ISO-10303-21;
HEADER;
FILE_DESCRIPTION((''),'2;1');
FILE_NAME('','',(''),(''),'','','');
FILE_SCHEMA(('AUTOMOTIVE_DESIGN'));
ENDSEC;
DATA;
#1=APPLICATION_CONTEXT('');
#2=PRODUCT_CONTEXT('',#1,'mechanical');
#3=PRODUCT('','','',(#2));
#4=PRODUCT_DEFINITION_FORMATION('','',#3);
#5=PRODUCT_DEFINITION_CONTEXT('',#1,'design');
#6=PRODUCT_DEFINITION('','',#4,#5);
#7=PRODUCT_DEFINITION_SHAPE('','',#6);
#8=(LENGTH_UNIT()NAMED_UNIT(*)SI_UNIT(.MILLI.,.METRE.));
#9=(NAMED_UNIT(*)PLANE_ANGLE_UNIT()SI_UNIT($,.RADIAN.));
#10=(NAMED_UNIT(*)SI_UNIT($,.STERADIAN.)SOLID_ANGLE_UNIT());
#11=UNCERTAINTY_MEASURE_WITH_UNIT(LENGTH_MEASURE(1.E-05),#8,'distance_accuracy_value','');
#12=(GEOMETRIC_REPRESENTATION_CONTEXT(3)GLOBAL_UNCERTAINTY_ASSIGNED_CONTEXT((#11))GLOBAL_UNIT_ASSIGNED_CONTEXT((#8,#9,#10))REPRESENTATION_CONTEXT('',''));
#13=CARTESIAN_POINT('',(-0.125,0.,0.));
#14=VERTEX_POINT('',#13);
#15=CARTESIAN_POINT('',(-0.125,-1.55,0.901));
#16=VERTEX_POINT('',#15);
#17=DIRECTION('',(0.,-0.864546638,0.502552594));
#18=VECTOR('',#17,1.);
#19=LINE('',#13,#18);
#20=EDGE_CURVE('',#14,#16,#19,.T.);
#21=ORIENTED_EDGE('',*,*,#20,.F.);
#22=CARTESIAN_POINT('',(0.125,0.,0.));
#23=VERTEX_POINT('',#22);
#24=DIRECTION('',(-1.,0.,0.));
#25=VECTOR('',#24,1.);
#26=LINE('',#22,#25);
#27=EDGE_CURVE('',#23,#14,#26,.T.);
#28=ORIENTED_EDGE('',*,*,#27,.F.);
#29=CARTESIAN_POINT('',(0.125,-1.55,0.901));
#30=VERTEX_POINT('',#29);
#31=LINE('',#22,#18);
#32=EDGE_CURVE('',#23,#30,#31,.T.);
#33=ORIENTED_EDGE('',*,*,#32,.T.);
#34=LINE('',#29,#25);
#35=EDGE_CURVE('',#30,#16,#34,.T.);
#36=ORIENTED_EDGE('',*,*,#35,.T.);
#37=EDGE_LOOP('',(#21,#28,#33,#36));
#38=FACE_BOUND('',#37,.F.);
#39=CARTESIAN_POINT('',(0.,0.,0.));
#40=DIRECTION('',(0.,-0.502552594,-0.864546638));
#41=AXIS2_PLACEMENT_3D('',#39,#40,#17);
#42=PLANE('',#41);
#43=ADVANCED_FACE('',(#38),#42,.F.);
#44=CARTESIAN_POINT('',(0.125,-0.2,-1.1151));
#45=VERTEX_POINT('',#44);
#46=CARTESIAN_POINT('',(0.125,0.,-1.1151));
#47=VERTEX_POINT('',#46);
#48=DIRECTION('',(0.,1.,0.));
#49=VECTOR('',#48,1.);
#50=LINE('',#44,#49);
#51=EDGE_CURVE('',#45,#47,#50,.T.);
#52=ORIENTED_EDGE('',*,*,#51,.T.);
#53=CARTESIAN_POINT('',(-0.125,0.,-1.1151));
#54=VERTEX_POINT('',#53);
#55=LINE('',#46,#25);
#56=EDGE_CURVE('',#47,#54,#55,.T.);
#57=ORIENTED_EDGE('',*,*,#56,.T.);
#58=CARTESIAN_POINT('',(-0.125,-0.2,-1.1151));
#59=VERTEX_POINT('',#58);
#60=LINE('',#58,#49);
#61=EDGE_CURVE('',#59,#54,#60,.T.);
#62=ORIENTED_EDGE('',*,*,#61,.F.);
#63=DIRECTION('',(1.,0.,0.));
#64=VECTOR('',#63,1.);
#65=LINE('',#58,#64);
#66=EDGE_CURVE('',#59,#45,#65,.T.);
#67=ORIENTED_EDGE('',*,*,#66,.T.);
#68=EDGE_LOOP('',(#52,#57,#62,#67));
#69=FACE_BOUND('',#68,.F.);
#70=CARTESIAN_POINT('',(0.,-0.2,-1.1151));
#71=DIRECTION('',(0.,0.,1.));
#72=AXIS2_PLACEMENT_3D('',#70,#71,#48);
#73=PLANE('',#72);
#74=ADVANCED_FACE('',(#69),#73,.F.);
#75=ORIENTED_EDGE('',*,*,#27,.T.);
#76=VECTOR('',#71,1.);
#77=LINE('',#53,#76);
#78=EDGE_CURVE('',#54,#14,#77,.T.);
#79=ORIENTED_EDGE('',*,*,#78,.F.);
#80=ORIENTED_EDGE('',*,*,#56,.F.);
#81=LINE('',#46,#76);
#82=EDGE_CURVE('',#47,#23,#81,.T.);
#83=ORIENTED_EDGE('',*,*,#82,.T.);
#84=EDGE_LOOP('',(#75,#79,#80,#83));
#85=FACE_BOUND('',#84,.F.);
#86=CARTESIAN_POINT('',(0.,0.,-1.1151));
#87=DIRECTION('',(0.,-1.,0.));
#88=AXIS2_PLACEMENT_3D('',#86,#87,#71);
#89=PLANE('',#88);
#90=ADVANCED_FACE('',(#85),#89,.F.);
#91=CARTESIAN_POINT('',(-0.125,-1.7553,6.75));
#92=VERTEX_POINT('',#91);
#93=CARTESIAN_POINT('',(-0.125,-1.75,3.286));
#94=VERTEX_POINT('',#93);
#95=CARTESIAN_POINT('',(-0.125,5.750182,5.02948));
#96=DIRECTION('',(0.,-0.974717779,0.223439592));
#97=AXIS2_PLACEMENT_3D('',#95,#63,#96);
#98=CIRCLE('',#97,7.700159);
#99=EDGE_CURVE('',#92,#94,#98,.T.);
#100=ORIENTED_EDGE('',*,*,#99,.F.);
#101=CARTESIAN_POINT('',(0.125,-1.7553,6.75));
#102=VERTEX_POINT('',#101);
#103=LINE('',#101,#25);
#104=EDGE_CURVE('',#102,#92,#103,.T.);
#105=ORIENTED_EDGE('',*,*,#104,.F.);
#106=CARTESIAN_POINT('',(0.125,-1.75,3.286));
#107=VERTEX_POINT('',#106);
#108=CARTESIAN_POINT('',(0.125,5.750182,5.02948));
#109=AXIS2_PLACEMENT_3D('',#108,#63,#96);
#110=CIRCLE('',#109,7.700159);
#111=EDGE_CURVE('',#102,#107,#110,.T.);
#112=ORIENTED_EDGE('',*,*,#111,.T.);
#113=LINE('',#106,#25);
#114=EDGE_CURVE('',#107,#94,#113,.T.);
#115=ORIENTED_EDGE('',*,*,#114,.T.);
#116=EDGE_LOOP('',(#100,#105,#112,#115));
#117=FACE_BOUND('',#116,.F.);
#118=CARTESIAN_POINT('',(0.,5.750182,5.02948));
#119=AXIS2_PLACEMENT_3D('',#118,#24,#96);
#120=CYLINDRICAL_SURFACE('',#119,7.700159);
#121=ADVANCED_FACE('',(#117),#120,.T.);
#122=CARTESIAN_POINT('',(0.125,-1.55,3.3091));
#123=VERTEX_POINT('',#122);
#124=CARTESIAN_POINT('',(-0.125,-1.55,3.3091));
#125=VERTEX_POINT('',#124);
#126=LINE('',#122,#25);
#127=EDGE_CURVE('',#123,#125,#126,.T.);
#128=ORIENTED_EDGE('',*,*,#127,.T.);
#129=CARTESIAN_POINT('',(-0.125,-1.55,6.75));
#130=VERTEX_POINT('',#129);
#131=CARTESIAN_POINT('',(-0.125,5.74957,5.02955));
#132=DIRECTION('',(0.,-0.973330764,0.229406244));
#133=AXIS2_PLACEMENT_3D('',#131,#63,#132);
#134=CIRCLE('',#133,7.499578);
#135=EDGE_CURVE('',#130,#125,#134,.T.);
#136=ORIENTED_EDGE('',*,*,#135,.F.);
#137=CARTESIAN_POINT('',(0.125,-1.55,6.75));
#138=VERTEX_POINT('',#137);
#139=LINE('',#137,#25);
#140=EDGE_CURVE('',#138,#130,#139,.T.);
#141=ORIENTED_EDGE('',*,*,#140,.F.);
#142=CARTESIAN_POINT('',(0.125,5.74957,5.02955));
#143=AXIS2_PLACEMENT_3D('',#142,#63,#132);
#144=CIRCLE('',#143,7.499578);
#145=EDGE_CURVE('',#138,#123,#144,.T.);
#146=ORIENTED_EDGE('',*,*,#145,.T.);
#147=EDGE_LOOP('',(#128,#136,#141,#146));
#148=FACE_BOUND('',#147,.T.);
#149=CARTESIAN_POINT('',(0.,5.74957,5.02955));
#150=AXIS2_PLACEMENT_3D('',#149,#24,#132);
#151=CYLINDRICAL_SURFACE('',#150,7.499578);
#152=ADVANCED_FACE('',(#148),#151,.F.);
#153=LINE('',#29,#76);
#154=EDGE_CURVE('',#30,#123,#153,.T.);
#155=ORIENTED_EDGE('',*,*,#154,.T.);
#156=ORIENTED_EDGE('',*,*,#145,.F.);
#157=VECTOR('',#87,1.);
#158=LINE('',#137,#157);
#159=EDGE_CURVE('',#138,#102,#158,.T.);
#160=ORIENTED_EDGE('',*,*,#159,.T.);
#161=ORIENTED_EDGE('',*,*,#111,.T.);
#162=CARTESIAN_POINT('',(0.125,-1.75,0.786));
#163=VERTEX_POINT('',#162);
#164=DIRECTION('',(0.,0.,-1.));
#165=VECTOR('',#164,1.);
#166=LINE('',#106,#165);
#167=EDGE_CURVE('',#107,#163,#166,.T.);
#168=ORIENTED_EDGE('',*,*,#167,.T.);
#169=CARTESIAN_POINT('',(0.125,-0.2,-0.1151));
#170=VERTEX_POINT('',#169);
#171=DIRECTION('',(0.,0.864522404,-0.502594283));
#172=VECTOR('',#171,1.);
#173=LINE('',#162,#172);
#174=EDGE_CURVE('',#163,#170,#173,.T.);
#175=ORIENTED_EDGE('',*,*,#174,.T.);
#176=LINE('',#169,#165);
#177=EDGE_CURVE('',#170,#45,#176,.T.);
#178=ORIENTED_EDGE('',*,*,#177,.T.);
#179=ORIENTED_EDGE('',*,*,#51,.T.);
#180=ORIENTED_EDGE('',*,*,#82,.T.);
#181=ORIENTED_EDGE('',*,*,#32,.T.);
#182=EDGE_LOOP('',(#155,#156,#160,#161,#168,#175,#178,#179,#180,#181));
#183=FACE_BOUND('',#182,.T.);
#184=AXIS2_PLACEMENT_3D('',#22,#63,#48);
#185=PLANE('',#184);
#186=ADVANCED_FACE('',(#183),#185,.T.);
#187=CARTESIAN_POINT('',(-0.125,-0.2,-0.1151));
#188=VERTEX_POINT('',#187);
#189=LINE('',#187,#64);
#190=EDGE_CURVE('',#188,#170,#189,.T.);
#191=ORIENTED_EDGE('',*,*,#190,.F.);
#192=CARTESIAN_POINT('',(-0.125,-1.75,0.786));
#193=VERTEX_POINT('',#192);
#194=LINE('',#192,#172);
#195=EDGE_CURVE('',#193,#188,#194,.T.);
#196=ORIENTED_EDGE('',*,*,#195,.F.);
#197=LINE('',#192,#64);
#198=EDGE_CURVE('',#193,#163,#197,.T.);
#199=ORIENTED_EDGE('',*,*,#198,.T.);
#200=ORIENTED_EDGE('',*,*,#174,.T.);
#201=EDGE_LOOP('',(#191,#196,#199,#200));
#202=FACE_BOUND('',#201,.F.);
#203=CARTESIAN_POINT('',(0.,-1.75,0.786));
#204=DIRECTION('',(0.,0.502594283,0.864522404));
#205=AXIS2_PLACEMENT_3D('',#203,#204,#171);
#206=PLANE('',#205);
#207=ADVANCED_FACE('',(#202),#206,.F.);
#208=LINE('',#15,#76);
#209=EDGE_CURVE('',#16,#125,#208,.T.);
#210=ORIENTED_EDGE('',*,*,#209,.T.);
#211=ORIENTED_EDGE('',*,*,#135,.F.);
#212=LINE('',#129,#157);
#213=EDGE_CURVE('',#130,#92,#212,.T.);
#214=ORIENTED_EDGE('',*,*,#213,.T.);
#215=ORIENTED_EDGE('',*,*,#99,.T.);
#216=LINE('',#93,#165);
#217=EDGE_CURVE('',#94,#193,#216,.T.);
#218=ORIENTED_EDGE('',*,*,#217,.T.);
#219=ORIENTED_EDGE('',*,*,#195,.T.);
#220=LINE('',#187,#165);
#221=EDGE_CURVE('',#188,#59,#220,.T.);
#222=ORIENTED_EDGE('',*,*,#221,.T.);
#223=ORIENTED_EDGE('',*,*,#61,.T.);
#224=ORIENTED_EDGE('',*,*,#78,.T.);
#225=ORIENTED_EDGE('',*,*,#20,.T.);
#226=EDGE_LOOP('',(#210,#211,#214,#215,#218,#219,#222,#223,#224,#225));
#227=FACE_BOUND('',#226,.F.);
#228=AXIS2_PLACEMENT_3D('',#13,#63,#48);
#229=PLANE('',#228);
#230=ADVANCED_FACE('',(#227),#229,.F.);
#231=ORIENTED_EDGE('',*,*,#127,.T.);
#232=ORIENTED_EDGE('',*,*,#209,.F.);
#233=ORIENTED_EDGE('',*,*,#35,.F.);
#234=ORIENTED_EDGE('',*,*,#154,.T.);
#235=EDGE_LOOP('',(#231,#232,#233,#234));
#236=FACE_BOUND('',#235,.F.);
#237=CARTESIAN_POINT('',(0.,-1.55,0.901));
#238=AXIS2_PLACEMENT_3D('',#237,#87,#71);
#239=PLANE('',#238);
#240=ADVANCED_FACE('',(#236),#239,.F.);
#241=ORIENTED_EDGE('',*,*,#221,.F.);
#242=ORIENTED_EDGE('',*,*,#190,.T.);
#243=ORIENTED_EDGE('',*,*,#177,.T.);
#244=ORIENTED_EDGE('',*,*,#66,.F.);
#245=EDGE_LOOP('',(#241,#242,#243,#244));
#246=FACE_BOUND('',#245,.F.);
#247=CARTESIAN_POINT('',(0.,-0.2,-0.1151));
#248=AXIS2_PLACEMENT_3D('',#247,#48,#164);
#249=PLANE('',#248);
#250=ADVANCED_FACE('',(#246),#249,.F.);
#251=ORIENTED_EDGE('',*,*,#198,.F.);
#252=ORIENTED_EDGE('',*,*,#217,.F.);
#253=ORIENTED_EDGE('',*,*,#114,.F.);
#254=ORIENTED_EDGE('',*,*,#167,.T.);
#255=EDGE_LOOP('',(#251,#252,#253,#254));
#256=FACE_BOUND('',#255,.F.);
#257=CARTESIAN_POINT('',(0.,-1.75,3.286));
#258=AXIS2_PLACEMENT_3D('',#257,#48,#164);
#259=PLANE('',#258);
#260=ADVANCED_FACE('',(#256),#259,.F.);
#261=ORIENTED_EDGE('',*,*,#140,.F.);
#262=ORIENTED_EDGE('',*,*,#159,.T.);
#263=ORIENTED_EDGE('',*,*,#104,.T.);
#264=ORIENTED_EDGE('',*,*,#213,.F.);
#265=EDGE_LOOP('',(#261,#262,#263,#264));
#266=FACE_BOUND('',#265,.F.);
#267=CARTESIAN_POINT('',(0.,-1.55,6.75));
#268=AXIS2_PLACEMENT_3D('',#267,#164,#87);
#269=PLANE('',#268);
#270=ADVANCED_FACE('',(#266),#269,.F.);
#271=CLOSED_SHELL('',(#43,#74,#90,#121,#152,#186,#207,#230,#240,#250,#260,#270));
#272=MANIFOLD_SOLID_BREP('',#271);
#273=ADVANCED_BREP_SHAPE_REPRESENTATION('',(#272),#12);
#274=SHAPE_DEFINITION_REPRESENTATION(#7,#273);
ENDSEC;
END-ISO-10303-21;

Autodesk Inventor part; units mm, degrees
ref_plane "YZ Plane" through (0, 0, 0) normal (1, 0, 0) x (0, 1, 0)
ref_plane "XZ Plane" through (0, 0, 0) normal (0, 1, 0) x (-1, 0, 0)
ref_plane "XY Plane" through (0, 0, 0) normal (0, 0, 1) x (1, 0, 0)
sketch "Sketch1" plane through (0, 0, 0) normal (1, 0, 0) x (0, 1, 0)
  line L0 (-1.75, 0.786) -> (-0.2, -0.1151)
  line L1 (-0.2, -0.1151) -> (-0.2, -1.1151)
  line L2 (-0.2, -1.1151) -> (0, -1.1151)
  line L3 (0, -1.1151) -> (0, 0)
  line L4 (0, 0) -> (-1.55, 0.901)
  line L5 (-1.55, 0.901) -> (-1.55, 3.3091)
  line L6 (-1.55, 6.75) -> (-1.7553, 6.75)
  line L7 (-1.75, 3.286) -> (-1.75, 0.786)
  arc A0 (-1.7553, 6.75) -> (-1.75, 3.286) centre (5.75, 5.0295) ccw
  arc A1 (-1.55, 6.75) -> (-1.55, 3.3091) centre (5.75, 5.0295) ccw
  line L8 (-1.95, 6.0295) -> (-1.95, 4.0295) construction
  point P0 (-0.1, -1.1151)
  point P1 (-1.6527, 6.75)
  point P2 (-1.95, 5.0295)
  dimension "d4" = 1
  dimension "d7" = 0.2
  dimension "d8" = 0.2
  dimension "d26" = 0.2
  dimension "d29" = 6.75
  dimension "d32" = 2
  dimension "d33" = 0.4
  dimension "d34" = 0.2
  dimension "d36" = 2.5
  dimension "d37" = 7.5
  dimension "d38" = 1.65
extrude "Extrusion1" add sketch "Sketch1" along normal mid plane 0.25
properties part number "pins" material "Copper"
